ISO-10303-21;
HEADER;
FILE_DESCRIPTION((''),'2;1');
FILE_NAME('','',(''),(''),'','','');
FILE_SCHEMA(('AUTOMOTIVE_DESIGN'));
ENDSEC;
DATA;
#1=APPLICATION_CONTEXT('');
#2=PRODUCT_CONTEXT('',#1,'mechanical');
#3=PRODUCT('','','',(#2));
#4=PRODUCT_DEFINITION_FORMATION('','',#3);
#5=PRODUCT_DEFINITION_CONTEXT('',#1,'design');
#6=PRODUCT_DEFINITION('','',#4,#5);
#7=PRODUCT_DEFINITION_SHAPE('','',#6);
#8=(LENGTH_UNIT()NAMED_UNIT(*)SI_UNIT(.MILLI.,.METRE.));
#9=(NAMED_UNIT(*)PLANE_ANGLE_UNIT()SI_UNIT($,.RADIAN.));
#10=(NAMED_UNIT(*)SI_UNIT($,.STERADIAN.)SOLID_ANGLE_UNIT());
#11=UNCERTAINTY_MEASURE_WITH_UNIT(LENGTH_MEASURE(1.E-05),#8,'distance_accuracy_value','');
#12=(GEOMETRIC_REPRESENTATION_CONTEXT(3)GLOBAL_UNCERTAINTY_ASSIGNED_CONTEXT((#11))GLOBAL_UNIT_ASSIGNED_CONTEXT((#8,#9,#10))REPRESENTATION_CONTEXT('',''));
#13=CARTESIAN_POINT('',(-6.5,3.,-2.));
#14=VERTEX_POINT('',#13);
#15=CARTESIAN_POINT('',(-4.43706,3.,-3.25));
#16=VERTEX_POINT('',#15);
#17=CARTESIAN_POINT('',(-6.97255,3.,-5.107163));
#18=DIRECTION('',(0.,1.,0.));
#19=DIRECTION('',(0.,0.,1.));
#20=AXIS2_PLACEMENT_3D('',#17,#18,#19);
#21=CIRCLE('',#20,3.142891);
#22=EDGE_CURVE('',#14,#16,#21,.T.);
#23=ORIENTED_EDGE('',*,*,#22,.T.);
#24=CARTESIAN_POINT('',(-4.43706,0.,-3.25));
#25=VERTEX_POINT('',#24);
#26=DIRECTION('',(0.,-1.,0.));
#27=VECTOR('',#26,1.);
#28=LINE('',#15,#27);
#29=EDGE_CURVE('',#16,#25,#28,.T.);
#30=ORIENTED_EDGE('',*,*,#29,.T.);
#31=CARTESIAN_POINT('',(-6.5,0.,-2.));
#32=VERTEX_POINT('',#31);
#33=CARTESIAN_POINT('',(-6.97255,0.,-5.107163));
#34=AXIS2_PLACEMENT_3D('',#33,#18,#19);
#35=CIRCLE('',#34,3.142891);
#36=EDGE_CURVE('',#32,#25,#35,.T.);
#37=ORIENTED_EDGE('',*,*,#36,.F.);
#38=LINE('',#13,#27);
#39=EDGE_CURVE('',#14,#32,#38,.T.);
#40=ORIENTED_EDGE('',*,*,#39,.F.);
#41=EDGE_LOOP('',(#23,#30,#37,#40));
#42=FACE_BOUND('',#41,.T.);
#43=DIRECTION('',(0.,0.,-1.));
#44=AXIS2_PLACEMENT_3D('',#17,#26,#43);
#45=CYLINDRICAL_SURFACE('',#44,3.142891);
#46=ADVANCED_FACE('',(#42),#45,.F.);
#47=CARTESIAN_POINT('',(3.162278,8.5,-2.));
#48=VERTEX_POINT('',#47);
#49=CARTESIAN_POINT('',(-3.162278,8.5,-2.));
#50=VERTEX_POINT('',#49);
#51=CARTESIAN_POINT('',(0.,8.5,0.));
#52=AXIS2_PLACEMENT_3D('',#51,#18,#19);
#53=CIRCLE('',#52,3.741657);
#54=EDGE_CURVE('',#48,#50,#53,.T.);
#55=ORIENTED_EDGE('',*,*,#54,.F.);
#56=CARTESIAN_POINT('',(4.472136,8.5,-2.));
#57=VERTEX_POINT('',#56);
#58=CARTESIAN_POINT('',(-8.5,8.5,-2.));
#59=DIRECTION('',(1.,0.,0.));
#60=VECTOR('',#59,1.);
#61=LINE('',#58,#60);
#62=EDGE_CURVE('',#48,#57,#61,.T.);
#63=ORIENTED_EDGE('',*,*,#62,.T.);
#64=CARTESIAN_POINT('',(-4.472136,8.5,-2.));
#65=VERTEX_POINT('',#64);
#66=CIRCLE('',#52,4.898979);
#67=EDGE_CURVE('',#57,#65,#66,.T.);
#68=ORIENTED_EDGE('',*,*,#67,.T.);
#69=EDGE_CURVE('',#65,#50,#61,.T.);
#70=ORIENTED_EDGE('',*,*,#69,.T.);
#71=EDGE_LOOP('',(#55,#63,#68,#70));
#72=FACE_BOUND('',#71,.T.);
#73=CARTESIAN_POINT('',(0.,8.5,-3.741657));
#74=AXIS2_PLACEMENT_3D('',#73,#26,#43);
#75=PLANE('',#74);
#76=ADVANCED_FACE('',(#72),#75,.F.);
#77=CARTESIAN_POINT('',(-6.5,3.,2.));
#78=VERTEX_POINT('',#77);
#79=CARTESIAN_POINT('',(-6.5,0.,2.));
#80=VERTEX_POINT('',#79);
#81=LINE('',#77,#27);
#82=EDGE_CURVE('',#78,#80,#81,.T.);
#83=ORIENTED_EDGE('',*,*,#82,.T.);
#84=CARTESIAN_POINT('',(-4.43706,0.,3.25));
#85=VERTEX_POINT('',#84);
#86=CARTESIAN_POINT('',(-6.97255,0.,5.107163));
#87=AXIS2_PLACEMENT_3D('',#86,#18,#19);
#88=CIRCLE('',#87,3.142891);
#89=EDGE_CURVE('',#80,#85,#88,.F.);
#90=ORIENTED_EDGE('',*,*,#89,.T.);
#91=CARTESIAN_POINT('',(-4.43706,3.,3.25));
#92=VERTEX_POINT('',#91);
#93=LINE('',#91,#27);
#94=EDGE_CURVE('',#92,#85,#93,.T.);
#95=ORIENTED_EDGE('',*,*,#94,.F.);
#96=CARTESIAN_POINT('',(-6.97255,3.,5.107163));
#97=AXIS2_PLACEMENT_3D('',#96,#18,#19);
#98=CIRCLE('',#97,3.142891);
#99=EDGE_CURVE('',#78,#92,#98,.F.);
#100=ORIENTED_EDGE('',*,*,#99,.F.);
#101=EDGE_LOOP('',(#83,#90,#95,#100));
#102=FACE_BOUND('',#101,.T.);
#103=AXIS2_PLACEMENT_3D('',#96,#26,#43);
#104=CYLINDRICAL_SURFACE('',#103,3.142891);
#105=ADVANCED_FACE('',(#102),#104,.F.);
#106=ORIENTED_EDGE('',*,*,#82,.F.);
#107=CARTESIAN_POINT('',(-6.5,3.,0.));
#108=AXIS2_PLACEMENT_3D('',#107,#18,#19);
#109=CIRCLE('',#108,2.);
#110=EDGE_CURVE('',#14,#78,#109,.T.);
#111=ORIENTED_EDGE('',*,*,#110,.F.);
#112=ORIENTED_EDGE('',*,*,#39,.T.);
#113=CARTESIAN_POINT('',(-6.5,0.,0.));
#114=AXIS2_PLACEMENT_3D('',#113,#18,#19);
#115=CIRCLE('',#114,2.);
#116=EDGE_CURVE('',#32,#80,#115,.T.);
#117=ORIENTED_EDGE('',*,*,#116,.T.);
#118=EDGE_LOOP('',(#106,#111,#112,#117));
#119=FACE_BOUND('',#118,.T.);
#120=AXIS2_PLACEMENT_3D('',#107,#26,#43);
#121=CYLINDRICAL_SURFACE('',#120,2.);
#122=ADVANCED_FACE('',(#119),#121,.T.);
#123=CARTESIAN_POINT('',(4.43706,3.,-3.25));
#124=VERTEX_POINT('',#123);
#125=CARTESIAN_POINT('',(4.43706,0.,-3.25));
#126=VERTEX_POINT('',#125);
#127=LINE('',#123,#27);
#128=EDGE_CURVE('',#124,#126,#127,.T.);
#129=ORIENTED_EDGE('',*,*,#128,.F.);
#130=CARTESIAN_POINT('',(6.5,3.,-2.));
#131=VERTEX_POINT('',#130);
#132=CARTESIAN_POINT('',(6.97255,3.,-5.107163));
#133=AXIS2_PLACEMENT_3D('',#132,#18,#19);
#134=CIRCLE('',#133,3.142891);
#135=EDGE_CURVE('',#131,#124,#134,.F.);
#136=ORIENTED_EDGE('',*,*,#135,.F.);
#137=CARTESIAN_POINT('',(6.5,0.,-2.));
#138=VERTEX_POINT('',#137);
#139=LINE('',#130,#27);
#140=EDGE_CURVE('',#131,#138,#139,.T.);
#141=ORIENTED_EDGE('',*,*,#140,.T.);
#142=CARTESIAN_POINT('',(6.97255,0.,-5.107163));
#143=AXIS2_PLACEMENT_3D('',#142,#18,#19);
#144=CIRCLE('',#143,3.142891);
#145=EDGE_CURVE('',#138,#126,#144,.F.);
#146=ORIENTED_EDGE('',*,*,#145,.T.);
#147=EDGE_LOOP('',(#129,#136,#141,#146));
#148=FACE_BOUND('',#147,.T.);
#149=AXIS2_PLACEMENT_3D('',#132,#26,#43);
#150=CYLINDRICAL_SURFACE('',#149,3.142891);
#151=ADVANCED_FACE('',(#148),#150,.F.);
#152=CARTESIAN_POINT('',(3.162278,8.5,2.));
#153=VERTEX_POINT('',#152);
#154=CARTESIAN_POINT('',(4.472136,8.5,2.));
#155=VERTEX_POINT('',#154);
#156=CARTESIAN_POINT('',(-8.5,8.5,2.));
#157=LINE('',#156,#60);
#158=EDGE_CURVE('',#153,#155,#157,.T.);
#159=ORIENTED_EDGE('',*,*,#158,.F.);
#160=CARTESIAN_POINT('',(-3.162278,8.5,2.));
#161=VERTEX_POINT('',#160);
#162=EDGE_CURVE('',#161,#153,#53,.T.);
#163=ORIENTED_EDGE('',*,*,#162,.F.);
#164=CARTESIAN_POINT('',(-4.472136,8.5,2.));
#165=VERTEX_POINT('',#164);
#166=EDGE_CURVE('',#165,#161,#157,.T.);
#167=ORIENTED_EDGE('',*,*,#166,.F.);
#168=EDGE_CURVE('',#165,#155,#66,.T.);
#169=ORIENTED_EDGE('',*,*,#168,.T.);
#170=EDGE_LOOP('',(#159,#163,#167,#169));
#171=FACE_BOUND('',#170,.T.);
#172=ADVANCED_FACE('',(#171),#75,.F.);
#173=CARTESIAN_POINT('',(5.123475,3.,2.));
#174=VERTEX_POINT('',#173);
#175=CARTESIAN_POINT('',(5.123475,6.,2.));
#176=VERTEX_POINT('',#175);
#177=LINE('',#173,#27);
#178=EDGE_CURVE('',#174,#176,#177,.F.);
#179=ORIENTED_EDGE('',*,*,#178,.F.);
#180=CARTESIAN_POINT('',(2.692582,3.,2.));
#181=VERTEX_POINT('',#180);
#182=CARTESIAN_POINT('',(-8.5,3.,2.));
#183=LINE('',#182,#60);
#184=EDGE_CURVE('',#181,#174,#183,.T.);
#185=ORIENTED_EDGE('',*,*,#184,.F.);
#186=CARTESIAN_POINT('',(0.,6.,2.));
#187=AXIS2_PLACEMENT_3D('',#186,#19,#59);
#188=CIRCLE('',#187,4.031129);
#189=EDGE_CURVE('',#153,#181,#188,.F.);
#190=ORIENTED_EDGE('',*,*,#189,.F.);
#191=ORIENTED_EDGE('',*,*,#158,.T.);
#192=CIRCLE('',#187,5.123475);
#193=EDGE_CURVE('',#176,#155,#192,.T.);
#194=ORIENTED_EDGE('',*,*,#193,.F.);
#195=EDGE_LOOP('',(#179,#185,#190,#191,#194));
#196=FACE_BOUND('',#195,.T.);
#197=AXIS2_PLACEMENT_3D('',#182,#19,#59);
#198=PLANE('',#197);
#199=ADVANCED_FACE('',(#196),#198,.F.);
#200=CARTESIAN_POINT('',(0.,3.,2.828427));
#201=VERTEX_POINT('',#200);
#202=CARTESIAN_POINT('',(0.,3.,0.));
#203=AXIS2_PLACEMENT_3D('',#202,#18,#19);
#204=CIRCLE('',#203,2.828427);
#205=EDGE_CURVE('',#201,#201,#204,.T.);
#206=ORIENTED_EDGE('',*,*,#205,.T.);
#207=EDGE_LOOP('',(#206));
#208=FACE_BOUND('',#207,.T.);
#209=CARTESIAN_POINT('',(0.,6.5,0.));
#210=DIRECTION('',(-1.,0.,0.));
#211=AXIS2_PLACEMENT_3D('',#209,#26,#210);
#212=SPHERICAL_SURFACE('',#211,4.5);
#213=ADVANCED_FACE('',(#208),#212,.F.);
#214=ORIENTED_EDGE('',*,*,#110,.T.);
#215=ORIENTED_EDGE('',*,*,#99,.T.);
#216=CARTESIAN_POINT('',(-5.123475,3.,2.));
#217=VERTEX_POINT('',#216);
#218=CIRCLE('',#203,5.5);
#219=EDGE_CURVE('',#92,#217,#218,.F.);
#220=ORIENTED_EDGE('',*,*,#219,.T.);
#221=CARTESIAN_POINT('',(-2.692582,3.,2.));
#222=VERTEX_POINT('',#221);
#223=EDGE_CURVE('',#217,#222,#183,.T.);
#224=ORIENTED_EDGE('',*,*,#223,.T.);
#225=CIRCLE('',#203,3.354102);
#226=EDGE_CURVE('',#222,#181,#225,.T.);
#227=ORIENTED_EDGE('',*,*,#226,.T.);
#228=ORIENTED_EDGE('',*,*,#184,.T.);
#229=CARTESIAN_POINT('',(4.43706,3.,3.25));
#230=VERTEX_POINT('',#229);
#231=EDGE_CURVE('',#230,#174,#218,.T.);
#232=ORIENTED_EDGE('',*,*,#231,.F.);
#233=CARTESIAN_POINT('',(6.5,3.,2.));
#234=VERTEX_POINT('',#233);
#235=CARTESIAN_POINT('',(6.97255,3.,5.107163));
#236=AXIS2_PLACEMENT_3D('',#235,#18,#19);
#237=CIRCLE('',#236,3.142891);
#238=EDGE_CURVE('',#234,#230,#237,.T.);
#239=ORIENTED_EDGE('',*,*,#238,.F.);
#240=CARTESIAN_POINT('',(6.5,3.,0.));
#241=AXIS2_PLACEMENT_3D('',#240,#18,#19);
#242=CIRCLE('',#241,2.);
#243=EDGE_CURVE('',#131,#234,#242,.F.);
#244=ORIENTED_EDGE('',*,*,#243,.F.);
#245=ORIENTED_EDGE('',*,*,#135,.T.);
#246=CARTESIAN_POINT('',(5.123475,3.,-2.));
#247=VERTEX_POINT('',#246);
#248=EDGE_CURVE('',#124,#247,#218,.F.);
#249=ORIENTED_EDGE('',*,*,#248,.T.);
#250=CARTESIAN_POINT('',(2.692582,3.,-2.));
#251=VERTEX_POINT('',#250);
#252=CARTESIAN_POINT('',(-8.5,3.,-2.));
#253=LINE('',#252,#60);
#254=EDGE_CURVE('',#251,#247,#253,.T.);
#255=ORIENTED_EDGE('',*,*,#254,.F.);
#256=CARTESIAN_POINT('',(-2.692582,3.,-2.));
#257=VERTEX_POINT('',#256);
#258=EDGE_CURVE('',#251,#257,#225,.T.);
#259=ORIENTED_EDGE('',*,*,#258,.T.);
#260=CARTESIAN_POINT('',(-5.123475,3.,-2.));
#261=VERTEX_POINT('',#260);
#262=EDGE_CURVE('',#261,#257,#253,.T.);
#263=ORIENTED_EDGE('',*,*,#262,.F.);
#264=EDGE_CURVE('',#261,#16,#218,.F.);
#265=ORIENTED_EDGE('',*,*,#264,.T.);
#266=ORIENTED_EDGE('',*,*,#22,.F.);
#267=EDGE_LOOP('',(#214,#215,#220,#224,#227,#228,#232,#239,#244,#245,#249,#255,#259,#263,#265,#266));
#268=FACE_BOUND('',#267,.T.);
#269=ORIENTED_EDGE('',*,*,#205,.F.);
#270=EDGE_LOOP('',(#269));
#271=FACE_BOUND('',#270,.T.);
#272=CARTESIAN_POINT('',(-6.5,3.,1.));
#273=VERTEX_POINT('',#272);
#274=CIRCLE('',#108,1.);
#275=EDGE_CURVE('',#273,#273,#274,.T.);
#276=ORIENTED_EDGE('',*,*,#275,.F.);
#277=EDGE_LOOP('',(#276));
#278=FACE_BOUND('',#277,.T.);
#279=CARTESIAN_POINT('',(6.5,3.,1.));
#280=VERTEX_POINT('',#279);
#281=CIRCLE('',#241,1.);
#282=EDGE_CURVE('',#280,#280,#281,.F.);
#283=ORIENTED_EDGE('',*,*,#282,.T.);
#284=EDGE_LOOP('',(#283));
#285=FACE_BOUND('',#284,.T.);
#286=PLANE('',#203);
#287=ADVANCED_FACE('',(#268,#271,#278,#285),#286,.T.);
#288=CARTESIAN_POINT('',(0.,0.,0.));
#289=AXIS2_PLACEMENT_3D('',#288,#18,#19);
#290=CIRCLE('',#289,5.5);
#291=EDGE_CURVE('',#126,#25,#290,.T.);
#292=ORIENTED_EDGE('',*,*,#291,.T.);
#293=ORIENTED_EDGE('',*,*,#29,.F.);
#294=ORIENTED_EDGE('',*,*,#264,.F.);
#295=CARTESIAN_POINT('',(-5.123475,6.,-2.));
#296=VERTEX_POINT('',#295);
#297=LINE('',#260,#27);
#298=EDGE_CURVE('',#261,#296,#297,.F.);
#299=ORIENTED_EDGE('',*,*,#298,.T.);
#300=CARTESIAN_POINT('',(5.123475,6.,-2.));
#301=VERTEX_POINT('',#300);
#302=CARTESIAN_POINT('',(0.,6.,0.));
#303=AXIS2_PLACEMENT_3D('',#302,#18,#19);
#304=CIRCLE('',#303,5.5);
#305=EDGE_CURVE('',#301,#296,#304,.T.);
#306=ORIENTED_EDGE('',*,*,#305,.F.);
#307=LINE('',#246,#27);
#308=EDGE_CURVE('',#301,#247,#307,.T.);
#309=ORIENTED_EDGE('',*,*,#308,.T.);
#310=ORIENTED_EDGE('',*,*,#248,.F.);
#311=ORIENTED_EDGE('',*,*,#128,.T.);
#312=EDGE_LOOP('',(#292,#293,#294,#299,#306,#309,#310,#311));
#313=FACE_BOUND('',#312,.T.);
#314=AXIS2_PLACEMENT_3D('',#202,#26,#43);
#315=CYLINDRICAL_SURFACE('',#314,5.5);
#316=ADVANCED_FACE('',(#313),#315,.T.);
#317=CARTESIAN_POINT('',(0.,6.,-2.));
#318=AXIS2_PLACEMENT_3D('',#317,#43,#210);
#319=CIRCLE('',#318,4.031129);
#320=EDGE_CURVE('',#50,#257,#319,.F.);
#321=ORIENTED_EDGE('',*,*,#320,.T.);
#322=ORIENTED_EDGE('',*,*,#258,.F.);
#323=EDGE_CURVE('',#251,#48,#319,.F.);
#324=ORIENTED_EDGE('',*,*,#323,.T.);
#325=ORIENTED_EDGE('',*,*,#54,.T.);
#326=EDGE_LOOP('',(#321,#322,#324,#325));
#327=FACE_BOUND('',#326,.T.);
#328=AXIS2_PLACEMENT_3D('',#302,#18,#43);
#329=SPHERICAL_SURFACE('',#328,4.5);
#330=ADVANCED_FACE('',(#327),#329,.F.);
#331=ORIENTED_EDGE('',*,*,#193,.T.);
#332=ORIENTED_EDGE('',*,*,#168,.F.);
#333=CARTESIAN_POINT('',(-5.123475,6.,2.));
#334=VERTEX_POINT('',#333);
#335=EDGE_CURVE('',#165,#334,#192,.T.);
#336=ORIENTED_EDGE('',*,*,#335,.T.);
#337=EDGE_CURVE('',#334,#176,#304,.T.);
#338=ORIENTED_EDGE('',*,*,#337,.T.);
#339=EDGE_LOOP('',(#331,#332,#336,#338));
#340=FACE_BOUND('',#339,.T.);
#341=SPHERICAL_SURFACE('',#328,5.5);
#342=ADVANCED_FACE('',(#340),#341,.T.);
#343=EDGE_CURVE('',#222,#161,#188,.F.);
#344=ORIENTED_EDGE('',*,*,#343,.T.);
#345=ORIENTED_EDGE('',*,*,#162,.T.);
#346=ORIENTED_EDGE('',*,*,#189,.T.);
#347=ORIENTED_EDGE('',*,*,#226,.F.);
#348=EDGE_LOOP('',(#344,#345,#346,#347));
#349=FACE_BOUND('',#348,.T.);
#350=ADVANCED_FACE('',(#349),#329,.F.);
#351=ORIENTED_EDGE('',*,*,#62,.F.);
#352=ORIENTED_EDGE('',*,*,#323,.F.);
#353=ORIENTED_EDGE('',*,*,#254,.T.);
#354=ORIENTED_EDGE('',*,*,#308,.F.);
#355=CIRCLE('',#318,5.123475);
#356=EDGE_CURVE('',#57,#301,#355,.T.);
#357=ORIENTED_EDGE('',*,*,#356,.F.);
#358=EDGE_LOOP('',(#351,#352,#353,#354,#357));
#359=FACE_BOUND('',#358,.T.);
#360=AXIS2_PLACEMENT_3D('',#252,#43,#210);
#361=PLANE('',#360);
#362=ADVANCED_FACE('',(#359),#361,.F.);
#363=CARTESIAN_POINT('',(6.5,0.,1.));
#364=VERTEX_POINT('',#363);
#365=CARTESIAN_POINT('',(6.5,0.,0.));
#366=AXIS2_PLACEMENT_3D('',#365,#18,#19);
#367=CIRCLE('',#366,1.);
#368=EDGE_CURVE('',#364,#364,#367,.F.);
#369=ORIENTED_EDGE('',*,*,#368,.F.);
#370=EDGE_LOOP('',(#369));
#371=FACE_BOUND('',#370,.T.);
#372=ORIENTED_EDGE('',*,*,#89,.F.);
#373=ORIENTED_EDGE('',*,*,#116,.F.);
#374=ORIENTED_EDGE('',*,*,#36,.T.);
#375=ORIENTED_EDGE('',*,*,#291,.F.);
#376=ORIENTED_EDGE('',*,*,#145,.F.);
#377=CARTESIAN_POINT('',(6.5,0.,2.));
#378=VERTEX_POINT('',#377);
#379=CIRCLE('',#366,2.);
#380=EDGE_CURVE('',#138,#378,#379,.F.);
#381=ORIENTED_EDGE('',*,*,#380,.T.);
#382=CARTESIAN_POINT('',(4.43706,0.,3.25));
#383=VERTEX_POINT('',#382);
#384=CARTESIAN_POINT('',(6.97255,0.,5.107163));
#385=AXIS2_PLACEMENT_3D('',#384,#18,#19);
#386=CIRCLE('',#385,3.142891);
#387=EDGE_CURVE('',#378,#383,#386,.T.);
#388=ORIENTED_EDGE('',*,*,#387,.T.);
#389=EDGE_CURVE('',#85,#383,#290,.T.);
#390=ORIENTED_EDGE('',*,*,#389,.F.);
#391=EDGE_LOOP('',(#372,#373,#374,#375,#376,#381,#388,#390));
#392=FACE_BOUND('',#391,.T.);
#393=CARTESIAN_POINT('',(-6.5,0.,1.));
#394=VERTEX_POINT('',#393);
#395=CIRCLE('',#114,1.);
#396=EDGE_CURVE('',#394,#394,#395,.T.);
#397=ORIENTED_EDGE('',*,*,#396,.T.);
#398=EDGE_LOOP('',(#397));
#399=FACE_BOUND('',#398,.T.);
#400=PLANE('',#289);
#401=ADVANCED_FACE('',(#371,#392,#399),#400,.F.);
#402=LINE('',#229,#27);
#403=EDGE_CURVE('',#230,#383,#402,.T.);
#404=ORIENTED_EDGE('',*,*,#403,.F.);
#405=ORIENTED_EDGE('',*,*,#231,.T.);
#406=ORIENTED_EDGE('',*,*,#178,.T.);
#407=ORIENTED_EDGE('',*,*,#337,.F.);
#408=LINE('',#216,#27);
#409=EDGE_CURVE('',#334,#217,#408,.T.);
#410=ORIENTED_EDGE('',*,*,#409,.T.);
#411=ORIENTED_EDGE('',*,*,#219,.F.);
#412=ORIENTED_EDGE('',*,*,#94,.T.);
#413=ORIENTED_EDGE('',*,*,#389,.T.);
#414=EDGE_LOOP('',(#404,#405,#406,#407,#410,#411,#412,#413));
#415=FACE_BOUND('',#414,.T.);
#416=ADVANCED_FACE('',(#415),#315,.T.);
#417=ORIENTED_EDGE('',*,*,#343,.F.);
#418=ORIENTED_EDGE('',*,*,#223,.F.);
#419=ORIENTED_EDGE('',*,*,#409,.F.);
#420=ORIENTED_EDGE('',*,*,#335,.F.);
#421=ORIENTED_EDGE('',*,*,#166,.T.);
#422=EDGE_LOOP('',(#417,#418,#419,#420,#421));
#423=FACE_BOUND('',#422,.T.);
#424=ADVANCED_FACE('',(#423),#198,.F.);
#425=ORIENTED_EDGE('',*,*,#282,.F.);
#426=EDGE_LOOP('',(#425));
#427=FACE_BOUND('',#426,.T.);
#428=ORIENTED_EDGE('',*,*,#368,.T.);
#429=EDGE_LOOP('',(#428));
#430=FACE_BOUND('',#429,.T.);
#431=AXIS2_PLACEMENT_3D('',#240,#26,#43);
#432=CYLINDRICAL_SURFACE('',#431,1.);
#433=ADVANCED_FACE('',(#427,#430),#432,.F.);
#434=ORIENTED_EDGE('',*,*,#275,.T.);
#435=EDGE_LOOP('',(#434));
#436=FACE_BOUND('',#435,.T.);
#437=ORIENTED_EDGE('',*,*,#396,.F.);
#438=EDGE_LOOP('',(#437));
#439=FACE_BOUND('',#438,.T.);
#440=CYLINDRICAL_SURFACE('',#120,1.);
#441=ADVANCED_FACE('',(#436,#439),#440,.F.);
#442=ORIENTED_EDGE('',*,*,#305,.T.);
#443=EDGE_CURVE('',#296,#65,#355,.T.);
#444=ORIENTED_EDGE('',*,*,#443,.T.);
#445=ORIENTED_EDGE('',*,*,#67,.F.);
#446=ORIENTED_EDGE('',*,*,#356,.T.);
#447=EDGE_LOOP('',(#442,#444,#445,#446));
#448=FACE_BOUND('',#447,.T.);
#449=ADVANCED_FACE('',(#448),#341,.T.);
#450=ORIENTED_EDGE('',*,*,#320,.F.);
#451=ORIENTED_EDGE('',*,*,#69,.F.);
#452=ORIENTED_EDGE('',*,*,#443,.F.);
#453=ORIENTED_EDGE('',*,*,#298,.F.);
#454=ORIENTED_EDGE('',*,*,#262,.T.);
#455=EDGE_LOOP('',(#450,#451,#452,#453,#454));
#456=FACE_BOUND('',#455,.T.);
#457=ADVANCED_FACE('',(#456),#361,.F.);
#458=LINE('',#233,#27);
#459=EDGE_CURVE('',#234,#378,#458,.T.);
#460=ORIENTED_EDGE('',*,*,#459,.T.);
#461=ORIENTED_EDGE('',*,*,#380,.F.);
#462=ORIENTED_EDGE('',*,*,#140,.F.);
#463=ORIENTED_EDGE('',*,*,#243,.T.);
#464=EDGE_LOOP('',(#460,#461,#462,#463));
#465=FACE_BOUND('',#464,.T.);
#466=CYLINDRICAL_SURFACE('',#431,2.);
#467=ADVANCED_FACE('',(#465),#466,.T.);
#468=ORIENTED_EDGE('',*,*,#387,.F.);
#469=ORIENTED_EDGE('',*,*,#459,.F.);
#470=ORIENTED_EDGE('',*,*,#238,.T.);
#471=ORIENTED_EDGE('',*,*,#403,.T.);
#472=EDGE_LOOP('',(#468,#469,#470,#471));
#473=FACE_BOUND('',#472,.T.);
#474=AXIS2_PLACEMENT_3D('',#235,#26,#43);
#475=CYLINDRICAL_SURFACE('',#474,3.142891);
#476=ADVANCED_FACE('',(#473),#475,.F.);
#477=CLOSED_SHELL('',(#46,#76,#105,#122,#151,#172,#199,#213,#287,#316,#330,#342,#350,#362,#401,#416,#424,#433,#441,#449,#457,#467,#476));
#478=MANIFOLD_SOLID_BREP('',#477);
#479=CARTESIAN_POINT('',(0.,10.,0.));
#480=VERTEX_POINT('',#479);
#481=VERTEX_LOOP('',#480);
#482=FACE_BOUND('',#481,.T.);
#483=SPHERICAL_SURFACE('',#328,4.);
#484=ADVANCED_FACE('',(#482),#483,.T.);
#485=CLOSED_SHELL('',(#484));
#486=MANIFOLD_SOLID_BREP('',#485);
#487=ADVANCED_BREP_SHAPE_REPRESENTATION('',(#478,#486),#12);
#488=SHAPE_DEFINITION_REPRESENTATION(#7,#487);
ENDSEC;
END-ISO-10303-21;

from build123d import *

# Parameters (mm, degrees)
SKETCH1_R               = 1
BOSS_EXTRUDE1_DEPTH     = 3
CUT_EXTRUDE2_DEPTH      = 14.219304066
CUT_EXTRUDE2_DEPTH_BACK = 14.219304066
SKETCH20_W              = 4
SKETCH20_H              = 5.5


with BuildPart() as part:
    # Sketch1 → Boss-Extrude1 (new body)
    with BuildSketch(Plane(origin=(0, 0, 0), x_dir=(1, 0, 0), z_dir=(0, 1, 0))):
        with BuildLine():
            ThreePointArc((-4.437059837, -3.25), (0, -5.5), (4.437059837, -3.25))
            ThreePointArc((4.437059837, -3.25), (5.343838437, -2.419215147), (6.5, -2))
            ThreePointArc((6.5, -2), (8.5, 0), (6.5, 2))
            ThreePointArc((6.5, 2), (5.343838437, 2.419215147), (4.437059837, 3.25))
            ThreePointArc((4.437059837, 3.25), (0, 5.5), (-4.437059837, 3.25))
            ThreePointArc((-4.437059837, 3.25), (-5.343838437, 2.419215147), (-6.5, 2))
            ThreePointArc((-6.5, 2), (-8.5, 0), (-6.5, -2))
            ThreePointArc((-6.5, -2), (-5.343838437, -2.419215147), (-4.437059837, -3.25))
        make_face()
        with Locations(Location((-6.5, 0, 0), (0, 0, 270))):
            Circle(SKETCH1_R, mode=Mode.SUBTRACT)
        with Locations(Location((6.5, 0, 0), (0, 0, 270))):
            Circle(SKETCH1_R, mode=Mode.SUBTRACT)
    extrude(amount=BOSS_EXTRUDE1_DEPTH)

    # Sketch10 → Cut-Revolve2 (revolve, cut)
    with BuildSketch(Plane.XY):
        with BuildLine():
            Line((0, 2), (0, 11))
            ThreePointArc((0, 11), (4.5, 6.5), (0, 2))
        make_face()
    revolve(axis=Axis((0, 2, 0), (0, 1, 0)), mode=Mode.SUBTRACT)

    # Sketch19 → Revolve6 (revolve)
    with BuildSketch(Plane(origin=(0, 0, 0), x_dir=(0, 0, -1), z_dir=(1, 0, 0)), mode=Mode.PRIVATE) as revolve6_sk:
        with BuildLine():
            Line((5.5, 6), (5.5, 3))
            Line((5.5, 3), (3.354101966, 3))
            ThreePointArc((3.354101966, 3), (4.48886959, 5.683693501), (3.741657387, 8.5))
            Line((3.741657387, 8.5), (4.898979486, 8.5))
            ThreePointArc((4.898979486, 8.5), (5.347634392, 7.285615189), (5.5, 6))
        make_face()
    revolve(revolve6_sk.sketch.rotate(Axis((0, 10, 0), (0, -1, 0)), 270), axis=Axis((0, 10, 0), (0, -1, 0)))

    # Sketch20 → Cut-Extrude2 (cut, two sides: drawn at the far end of the back side and taken through both)
    with BuildSketch(Plane(origin=(0, 0, 0), x_dir=(0, 0, -1), z_dir=(1, 0, 0)).offset(-CUT_EXTRUDE2_DEPTH_BACK)):
        with Locations((0, 5.75)):
            Rectangle(SKETCH20_W, SKETCH20_H)
    extrude(amount=CUT_EXTRUDE2_DEPTH + CUT_EXTRUDE2_DEPTH_BACK, mode=Mode.SUBTRACT)


with BuildPart() as body_2:
    # Sketch18 → Revolve7 (revolve)
    with BuildSketch(Plane(origin=(0, 0, 0), x_dir=(0, 0, -1), z_dir=(1, 0, 0))):
        with BuildLine():
            Line((0, 10), (0, 2))
            ThreePointArc((0, 2), (4, 6), (0, 10))
        make_face()
    revolve(axis=Axis((0, 10, 0), (0, -1, 0)))


solid = Compound([part.part, body_2.part])
